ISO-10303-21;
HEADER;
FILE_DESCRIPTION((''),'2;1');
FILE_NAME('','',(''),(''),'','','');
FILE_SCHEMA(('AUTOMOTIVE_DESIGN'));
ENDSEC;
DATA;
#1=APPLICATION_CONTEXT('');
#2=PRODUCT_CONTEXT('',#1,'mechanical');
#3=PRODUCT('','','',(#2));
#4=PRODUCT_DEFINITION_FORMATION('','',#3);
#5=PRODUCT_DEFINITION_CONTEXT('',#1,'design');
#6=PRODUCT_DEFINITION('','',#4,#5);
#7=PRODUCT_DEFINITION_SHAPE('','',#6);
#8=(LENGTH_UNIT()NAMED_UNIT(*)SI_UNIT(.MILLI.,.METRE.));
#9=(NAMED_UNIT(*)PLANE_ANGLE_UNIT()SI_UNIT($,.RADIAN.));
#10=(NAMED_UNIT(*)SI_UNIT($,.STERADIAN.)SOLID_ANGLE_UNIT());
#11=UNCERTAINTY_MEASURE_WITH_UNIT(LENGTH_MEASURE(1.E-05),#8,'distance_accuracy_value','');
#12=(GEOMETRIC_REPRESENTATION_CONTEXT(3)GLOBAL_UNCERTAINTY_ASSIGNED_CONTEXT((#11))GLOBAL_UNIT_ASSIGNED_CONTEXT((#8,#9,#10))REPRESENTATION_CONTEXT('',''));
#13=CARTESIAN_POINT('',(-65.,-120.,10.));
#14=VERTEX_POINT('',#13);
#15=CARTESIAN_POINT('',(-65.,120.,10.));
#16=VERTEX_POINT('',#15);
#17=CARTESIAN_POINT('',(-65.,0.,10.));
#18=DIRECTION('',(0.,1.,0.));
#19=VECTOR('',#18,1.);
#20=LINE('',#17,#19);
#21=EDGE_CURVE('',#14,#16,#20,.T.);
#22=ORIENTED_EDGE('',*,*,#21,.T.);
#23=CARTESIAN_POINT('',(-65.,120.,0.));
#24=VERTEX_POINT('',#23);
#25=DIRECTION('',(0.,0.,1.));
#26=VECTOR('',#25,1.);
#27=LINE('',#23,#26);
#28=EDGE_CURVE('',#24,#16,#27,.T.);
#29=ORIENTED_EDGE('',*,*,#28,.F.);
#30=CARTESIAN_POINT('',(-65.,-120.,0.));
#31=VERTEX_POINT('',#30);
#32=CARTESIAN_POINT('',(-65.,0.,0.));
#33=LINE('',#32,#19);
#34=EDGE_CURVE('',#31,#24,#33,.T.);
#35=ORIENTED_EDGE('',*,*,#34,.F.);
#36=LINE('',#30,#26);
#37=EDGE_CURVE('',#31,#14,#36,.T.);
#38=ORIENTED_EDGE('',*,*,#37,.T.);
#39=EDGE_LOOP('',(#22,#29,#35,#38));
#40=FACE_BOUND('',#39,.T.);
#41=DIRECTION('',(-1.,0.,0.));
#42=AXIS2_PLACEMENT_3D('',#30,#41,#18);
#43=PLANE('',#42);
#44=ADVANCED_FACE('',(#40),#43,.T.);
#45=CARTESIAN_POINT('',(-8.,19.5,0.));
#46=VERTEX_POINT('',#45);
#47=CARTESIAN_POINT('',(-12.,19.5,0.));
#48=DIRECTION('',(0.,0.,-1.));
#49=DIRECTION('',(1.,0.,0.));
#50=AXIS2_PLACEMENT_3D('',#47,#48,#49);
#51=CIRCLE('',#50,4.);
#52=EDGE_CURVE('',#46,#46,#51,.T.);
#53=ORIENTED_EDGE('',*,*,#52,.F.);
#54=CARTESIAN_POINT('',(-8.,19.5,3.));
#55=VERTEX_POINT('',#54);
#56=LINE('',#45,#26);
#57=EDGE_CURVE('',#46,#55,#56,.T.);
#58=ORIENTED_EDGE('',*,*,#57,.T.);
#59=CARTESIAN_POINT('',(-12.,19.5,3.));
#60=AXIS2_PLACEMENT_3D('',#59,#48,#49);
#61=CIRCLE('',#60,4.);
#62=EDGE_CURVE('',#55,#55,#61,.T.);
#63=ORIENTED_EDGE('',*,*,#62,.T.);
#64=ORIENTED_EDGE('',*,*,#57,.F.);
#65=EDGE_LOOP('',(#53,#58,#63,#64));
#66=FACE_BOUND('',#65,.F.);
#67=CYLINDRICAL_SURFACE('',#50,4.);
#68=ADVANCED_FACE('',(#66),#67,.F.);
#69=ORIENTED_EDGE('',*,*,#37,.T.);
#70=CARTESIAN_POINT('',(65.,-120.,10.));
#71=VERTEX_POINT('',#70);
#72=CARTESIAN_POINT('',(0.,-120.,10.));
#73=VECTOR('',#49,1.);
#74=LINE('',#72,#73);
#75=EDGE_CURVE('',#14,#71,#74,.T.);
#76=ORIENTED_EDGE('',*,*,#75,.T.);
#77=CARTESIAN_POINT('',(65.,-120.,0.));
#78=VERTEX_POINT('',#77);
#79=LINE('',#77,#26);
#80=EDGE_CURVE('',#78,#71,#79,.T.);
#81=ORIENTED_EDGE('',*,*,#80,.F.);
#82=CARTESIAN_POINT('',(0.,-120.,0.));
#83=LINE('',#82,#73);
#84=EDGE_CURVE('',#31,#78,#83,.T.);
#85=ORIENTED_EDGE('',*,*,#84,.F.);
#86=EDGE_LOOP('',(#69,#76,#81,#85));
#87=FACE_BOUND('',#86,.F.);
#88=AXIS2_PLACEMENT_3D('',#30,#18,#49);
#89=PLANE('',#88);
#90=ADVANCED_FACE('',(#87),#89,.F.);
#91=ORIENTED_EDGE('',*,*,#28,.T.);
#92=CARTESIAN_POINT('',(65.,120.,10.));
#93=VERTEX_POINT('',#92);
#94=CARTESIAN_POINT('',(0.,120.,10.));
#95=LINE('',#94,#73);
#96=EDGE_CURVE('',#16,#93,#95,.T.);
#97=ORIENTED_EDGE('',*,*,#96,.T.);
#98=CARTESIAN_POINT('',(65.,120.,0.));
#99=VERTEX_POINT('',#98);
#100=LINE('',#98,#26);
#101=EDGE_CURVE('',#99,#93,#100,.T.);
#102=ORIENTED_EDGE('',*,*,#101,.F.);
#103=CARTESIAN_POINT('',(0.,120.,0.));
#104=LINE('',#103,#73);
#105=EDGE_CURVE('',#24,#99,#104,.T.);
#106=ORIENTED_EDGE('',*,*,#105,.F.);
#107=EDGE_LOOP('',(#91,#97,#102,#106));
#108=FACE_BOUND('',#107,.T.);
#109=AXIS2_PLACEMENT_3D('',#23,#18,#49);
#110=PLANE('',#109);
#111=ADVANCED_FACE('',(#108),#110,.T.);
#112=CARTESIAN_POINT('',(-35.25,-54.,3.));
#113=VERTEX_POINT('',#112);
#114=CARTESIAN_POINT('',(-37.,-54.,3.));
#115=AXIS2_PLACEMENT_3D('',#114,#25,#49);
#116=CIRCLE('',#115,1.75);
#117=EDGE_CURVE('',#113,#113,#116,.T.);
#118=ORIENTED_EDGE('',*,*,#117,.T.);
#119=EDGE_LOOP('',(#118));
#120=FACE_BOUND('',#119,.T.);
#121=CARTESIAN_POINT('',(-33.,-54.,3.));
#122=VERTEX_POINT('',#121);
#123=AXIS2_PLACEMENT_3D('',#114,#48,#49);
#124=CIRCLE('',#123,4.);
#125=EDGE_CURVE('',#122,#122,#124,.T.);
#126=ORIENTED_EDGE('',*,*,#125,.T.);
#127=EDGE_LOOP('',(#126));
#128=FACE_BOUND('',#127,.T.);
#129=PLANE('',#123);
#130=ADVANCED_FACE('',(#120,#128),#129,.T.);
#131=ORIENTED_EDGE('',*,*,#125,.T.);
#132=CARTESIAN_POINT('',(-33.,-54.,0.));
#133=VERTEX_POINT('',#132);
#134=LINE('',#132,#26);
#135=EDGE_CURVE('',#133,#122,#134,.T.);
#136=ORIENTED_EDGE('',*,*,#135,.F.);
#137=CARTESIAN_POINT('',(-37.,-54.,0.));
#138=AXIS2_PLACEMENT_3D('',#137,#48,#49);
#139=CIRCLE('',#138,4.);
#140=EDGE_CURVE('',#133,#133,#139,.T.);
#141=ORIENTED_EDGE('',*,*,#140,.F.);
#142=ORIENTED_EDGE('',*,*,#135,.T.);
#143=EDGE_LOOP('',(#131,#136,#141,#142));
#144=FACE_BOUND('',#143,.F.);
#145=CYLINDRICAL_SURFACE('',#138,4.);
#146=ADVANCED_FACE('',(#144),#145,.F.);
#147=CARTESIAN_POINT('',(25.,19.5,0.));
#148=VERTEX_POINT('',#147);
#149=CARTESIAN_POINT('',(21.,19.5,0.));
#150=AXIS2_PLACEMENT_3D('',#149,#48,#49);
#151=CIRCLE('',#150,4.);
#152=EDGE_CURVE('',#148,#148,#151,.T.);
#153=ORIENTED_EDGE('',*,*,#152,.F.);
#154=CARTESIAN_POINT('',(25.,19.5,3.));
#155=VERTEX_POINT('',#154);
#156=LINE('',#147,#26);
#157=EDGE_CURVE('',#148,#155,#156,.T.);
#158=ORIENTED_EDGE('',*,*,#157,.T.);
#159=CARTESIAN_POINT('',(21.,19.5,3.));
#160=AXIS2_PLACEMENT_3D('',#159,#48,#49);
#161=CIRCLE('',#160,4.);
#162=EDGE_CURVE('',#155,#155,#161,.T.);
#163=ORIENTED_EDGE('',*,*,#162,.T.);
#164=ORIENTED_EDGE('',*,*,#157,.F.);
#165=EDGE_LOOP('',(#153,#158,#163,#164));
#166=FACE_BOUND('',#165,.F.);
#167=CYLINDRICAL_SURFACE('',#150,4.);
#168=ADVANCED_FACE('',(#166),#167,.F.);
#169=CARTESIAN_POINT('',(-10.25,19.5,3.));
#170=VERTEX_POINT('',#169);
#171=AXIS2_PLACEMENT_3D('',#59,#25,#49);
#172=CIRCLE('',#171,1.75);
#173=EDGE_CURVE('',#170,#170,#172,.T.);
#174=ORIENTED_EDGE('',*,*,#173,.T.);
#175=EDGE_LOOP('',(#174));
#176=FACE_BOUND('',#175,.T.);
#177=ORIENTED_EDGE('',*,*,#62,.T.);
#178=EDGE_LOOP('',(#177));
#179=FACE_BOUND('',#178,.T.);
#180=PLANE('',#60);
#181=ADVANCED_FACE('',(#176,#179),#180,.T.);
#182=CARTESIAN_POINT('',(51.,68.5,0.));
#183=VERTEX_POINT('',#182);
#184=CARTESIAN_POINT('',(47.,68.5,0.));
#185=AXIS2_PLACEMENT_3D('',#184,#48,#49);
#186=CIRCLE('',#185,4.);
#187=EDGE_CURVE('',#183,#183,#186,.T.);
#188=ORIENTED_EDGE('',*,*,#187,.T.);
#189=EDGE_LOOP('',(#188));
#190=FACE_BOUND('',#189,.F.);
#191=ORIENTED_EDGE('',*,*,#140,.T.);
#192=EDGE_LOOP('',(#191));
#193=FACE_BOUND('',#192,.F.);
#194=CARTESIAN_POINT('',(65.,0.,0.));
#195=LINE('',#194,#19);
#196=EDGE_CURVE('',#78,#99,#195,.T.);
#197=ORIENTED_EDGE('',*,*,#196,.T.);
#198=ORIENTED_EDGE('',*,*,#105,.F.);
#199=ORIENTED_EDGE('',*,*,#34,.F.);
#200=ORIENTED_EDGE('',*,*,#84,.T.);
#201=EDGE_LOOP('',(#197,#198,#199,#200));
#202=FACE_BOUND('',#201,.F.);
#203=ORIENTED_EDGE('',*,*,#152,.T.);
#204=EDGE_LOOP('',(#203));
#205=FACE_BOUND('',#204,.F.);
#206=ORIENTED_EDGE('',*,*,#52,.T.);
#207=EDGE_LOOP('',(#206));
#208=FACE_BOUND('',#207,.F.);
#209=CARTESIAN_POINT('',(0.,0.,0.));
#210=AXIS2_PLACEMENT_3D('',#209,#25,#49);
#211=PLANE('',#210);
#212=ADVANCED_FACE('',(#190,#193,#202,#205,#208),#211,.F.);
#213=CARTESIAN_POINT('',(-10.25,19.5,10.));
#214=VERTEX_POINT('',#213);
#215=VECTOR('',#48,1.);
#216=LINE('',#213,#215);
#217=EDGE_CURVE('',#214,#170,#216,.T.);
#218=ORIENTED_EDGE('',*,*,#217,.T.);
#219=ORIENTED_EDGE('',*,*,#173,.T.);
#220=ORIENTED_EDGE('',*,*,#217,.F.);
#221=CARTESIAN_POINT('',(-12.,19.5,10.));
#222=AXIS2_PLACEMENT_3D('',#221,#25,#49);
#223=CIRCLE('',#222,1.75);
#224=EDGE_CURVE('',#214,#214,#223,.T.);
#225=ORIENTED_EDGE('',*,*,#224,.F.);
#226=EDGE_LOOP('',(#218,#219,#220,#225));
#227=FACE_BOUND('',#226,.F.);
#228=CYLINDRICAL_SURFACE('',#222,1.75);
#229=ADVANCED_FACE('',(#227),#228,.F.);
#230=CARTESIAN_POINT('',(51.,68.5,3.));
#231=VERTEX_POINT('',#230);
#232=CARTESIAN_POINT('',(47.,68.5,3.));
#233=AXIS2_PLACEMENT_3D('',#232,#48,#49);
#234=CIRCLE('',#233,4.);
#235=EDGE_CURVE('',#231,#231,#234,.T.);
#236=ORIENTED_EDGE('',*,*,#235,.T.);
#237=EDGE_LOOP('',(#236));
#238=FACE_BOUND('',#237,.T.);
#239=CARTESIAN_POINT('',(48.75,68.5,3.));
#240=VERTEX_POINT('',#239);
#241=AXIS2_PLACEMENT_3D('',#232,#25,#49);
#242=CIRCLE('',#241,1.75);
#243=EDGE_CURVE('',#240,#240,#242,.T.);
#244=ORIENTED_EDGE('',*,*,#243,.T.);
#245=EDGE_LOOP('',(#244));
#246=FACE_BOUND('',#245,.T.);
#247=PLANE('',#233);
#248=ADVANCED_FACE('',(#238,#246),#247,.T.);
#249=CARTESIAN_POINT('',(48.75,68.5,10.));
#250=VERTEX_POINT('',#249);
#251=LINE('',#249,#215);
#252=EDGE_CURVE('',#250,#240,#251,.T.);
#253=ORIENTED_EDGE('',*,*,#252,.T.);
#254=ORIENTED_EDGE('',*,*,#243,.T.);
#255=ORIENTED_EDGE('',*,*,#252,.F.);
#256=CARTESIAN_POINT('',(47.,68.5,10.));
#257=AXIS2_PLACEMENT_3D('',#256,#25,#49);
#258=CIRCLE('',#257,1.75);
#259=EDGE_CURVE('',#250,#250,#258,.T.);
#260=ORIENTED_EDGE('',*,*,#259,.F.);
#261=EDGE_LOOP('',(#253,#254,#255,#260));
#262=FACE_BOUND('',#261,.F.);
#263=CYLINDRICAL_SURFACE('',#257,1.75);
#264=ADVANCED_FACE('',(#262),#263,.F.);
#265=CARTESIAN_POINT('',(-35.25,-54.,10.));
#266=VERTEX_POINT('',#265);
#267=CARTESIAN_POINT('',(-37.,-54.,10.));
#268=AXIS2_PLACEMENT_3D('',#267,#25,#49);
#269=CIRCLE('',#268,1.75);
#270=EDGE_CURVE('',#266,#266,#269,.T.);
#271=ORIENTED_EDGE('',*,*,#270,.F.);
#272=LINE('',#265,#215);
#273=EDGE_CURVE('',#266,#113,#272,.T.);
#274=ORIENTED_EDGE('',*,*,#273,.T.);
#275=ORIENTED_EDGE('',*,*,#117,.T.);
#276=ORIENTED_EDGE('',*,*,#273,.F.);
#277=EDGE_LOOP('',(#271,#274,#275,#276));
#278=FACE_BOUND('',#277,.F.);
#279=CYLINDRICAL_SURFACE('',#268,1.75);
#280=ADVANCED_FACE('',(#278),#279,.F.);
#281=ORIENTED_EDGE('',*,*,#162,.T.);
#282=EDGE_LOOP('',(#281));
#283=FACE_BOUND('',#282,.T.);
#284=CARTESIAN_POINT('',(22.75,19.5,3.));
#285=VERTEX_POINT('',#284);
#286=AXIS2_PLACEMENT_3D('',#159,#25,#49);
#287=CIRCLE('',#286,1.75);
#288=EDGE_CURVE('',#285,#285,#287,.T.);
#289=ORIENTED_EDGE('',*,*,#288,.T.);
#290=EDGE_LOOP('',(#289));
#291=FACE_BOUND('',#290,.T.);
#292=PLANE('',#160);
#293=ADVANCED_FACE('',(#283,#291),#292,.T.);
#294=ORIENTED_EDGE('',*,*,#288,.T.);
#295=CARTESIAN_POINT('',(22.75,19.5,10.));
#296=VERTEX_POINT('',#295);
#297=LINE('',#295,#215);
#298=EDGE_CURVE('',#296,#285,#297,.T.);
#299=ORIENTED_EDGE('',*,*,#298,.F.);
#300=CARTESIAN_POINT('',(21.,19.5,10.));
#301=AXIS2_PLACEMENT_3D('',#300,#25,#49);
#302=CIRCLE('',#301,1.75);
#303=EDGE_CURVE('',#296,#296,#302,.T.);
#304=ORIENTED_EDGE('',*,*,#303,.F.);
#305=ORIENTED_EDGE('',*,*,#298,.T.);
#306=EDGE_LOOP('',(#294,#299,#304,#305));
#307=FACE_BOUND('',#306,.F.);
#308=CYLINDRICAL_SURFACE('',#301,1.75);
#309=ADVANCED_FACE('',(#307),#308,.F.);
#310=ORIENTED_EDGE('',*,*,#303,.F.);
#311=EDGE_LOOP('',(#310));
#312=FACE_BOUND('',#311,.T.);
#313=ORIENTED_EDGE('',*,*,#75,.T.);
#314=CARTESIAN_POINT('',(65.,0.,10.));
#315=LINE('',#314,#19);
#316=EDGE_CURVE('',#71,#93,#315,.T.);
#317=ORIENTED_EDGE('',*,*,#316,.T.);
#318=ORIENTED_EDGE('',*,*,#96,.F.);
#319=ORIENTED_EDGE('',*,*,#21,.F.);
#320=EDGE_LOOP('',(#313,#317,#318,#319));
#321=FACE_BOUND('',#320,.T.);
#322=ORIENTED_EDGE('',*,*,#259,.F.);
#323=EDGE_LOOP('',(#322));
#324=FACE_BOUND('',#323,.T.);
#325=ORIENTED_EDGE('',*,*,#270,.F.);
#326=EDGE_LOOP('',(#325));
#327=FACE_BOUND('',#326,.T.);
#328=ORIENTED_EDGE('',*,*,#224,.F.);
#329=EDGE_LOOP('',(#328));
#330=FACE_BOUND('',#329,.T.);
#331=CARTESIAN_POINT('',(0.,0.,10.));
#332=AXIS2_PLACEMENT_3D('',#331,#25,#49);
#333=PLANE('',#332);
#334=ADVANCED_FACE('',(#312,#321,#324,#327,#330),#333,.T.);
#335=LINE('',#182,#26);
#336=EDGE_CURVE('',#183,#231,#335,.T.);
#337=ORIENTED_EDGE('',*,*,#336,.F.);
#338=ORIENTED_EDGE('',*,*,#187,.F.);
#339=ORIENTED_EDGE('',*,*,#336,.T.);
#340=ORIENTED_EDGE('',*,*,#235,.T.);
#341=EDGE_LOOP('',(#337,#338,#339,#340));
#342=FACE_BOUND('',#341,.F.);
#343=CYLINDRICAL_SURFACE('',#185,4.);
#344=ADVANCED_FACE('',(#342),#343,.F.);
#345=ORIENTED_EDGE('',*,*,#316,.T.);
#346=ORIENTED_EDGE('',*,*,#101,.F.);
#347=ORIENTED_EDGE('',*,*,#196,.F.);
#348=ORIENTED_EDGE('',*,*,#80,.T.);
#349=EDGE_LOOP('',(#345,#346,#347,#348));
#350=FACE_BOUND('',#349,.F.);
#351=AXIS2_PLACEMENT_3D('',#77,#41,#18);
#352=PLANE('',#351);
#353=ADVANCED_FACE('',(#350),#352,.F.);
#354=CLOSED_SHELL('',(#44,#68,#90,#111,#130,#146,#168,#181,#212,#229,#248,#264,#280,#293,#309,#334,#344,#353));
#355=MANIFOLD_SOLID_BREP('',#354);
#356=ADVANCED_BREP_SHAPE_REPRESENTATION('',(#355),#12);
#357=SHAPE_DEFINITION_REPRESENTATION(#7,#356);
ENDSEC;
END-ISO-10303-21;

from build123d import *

# Parameters (mm, degrees)
SKETCH_W             = 130
SKETCH_H             = 240
PAD_DEPTH            = 10
SKETCH015_R          = 1.75
POCKET008_DEPTH      = 10.001
POCKET008_DEPTH_BACK = 0.001
SKETCH016_R          = 4
POCKET009_DEPTH      = 3


with BuildPart() as part:
    # Sketch → Pad (new body)
    with BuildSketch(Plane.XY):
        Rectangle(SKETCH_W, SKETCH_H)
    extrude(amount=PAD_DEPTH)

    # Sketch015 (on Face6 of Pad) → Pocket008 (cut, two sides)
    with BuildSketch(Plane.XY.offset(10)) as pocket008_sk:
        with Locations((47, 68.5)):
            Circle(SKETCH015_R)
        with Locations((21, 19.5)):
            Circle(SKETCH015_R)
        with Locations((-12, 19.5)):
            Circle(SKETCH015_R)
        with Locations((-37, -54)):
            Circle(SKETCH015_R)
    extrude(amount=-POCKET008_DEPTH, mode=Mode.SUBTRACT)
    extrude(pocket008_sk.sketch, amount=POCKET008_DEPTH_BACK, mode=Mode.SUBTRACT)

    # Sketch016 (on Face4 of Pocket008) → Pocket009 (cut)
    with BuildSketch(Plane(origin=(0, 0, 0), x_dir=(1, 0, 0), z_dir=(0, 0, -1))):
        with Locations((-37, 54)):
            Circle(SKETCH016_R)
        with Locations((-12, -19.5)):
            Circle(SKETCH016_R)
        with Locations((21, -19.5)):
            Circle(SKETCH016_R)
        with Locations((47, -68.5)):
            Circle(SKETCH016_R)
    extrude(amount=-POCKET009_DEPTH, mode=Mode.SUBTRACT)


solid = part.part
